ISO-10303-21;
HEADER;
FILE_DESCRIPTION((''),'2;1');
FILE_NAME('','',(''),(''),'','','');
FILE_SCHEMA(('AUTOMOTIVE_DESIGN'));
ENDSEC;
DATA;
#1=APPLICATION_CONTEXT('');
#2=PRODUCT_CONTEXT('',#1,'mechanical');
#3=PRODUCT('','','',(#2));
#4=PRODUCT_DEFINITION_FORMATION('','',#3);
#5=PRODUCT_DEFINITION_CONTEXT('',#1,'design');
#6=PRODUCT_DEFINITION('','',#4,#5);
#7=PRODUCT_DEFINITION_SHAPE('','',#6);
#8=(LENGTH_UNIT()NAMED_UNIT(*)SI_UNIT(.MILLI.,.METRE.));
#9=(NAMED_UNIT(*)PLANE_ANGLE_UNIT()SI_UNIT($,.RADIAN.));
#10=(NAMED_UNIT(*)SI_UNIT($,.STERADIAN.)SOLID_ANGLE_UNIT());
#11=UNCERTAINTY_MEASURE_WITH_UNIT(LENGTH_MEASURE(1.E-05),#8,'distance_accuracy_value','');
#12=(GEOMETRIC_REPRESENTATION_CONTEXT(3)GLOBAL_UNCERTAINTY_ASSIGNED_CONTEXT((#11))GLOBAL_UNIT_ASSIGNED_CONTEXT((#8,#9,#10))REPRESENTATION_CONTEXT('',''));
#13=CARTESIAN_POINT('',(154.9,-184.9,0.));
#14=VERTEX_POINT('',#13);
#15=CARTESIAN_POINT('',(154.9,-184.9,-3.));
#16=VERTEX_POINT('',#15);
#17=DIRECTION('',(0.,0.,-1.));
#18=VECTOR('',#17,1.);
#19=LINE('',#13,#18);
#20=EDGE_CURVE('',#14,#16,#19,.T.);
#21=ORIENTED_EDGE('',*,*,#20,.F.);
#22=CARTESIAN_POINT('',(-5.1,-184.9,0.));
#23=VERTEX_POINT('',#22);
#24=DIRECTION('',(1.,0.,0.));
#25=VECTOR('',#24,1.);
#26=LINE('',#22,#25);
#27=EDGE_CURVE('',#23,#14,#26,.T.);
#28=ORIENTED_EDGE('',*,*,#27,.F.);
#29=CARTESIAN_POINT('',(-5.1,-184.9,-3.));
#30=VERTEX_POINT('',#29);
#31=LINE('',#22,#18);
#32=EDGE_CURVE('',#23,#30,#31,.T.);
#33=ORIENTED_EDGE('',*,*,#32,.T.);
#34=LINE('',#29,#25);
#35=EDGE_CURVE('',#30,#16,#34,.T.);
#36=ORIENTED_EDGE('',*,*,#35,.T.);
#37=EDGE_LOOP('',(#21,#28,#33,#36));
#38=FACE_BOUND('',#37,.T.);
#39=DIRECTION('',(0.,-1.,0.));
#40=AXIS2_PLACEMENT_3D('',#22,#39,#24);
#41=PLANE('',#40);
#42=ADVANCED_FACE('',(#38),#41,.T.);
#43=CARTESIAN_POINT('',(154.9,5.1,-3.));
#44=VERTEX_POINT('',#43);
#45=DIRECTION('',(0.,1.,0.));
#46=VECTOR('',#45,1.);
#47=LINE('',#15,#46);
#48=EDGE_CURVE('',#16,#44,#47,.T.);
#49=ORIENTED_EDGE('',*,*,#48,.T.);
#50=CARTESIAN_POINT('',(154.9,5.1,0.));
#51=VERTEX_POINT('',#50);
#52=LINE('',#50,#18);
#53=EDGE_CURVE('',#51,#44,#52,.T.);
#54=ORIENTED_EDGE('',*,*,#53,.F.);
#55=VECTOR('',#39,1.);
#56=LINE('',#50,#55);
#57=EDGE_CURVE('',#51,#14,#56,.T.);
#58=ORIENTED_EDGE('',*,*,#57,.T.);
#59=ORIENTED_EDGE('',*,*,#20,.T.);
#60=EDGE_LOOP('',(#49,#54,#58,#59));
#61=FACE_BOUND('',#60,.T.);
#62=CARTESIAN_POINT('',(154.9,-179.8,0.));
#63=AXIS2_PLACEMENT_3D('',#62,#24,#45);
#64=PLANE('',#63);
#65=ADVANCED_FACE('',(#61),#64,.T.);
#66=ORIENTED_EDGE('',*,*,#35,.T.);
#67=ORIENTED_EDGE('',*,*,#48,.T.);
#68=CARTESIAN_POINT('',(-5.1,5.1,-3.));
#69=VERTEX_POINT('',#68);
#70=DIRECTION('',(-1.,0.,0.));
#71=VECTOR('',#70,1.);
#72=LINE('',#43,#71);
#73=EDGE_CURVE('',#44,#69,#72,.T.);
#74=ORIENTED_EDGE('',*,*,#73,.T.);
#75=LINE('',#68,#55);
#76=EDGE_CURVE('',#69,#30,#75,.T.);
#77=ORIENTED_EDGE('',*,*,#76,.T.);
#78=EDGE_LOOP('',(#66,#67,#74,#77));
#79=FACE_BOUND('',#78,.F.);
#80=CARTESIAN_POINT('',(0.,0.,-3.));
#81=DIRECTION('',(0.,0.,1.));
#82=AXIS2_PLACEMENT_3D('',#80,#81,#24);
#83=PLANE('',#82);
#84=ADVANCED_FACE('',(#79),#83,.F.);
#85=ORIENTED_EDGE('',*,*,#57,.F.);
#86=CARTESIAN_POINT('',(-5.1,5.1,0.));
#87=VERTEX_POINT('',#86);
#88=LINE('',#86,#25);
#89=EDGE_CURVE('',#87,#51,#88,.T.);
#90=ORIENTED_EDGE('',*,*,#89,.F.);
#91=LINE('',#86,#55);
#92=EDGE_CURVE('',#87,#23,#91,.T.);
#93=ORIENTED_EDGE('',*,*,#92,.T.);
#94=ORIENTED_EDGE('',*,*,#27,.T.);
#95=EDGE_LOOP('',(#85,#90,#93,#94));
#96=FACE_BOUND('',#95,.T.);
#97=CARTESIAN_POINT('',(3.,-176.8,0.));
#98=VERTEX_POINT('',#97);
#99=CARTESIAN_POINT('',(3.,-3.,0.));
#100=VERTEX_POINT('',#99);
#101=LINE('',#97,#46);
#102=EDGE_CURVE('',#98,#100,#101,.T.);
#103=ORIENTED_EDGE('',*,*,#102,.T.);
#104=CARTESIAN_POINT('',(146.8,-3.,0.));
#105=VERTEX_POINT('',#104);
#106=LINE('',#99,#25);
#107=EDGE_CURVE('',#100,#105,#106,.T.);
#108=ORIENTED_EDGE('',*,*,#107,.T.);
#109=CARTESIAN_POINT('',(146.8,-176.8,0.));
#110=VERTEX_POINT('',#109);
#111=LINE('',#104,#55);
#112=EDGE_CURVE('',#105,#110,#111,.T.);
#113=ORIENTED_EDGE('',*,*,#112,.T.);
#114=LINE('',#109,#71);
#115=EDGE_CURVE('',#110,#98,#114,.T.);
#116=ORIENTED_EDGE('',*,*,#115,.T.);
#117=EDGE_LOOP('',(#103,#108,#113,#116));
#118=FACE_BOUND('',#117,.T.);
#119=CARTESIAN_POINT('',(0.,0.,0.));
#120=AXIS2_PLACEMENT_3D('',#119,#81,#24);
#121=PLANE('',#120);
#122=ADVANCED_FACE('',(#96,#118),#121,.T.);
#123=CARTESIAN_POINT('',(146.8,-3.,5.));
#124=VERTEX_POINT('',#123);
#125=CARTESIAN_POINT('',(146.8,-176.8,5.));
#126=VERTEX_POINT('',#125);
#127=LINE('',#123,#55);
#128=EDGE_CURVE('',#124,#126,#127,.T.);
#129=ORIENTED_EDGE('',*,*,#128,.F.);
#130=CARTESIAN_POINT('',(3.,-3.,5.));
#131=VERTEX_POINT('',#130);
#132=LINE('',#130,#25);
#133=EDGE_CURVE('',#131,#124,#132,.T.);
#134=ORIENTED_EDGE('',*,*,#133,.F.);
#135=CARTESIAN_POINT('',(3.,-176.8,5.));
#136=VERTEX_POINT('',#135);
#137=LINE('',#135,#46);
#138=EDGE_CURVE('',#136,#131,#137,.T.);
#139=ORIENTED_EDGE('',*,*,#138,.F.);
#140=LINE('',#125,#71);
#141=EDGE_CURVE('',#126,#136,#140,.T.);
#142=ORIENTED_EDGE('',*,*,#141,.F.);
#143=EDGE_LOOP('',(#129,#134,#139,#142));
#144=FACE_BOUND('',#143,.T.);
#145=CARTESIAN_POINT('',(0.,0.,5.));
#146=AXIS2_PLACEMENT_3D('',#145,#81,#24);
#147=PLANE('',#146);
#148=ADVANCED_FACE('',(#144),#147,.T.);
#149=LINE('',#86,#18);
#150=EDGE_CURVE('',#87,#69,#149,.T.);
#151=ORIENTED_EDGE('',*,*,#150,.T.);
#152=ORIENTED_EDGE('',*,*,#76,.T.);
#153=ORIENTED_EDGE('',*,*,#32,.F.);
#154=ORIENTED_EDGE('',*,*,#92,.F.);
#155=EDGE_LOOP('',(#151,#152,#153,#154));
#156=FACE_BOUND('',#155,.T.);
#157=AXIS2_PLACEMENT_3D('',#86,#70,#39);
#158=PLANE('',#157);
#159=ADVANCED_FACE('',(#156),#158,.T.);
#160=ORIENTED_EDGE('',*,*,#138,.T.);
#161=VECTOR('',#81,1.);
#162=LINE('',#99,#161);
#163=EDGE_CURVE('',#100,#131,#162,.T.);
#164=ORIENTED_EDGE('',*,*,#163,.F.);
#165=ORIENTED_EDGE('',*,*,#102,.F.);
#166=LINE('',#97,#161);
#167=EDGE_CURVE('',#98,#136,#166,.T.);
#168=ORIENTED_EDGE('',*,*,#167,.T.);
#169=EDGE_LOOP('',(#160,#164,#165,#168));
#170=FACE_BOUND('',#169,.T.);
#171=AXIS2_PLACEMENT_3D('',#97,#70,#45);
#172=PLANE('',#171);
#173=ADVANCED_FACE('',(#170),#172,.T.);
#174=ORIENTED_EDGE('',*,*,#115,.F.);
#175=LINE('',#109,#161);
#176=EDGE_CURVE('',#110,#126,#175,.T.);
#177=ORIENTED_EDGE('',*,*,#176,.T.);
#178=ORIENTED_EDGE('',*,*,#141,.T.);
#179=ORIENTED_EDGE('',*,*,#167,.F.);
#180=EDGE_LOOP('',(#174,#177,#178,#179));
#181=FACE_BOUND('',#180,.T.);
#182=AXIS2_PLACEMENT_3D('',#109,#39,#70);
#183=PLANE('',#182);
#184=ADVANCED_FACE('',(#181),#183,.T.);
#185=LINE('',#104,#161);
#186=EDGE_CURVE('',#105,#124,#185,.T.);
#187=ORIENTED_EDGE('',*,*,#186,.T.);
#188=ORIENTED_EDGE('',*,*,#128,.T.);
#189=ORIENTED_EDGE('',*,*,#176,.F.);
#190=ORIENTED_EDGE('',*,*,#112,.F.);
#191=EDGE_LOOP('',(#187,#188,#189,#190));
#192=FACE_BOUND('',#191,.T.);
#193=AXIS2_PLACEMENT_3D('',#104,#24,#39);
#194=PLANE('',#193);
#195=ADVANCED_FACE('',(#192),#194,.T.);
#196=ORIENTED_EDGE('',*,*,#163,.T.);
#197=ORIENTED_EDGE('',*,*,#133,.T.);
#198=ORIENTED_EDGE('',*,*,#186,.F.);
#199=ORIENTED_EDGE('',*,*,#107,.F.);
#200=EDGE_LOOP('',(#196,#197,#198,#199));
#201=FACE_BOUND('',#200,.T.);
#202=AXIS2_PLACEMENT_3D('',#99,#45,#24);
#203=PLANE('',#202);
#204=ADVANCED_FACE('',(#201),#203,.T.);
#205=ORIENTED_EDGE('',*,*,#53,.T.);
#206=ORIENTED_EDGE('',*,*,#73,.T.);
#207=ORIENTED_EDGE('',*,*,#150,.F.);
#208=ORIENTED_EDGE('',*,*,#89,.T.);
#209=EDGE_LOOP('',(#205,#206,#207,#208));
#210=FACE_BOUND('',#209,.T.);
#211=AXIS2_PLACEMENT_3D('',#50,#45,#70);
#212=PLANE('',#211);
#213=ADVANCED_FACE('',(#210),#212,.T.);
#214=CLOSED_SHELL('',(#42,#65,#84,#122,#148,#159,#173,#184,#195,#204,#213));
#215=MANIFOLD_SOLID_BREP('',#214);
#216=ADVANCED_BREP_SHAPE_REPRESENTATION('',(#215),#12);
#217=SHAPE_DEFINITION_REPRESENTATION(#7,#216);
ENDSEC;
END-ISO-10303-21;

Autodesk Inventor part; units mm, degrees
ref_plane "YZ Plane" through (0, 0, 0) normal (1, 0, 0) x (0, 1, 0)
ref_plane "XZ Plane" through (0, 0, 0) normal (0, 1, 0) x (-1, 0, 0)
ref_plane "XY Plane" through (0, 0, 0) normal (0, 0, 1) x (1, 0, 0)
sketch "Sketch1" plane through (0, 0, 0) normal (0, 0, 1) x (1, 0, 0)
  point P0 (0, 0)
sketch "Sketch2" plane through (0, 0, 0) normal (0, 0, 1) x (1, 0, 0)
  line L0 (0, 0) -> (149.8, 0)
  line L1 (149.8, 0) -> (149.8, -179.8)
  line L2 (149.8, -179.8) -> (0, -179.8)
  line L3 (0, -179.8) -> (0, 0)
  line L4 (0, -179.8) -> (160, -179.8)
  line L5 (160, -179.8) -> (160, 10.2)
  line L6 (0, 10.2) -> (0, -179.8)
  line L7 (0, 10.2) -> (160, 10.2)
  line L8 (-5.1, -184.9) -> (154.9, -184.9)
  line L9 (154.9, -184.9) -> (154.9, 5.1)
  line L10 (154.9, 5.1) -> (-5.1, 5.1)
  line L11 (-5.1, 5.1) -> (-5.1, -184.9)
  line L12 (146.8, -176.8) -> (3, -176.8)
  line L13 (3, -176.8) -> (3, -3)
  line L14 (3, -3) -> (146.8, -3)
  line L15 (146.8, -3) -> (146.8, -176.8)
  dimension "d21" = 5.1
  dimension "d22" = 190
  dimension "d23" = 160
  dimension "d28" = 8.1
extrude "Extrusion4" add sketch "Sketch2" against normal blind 3 contours L6 L10 L9 L4 L1 L0 | L0 L1 L2 L3 | L3 L2 L4 L9 L8 L11 L10 L6 | L12 L13 L14 L15
extrude "Extrusion6" add sketch "Sketch2" along normal blind 5 contours L12 L13 L14 L15
properties part number "pokrywa"
